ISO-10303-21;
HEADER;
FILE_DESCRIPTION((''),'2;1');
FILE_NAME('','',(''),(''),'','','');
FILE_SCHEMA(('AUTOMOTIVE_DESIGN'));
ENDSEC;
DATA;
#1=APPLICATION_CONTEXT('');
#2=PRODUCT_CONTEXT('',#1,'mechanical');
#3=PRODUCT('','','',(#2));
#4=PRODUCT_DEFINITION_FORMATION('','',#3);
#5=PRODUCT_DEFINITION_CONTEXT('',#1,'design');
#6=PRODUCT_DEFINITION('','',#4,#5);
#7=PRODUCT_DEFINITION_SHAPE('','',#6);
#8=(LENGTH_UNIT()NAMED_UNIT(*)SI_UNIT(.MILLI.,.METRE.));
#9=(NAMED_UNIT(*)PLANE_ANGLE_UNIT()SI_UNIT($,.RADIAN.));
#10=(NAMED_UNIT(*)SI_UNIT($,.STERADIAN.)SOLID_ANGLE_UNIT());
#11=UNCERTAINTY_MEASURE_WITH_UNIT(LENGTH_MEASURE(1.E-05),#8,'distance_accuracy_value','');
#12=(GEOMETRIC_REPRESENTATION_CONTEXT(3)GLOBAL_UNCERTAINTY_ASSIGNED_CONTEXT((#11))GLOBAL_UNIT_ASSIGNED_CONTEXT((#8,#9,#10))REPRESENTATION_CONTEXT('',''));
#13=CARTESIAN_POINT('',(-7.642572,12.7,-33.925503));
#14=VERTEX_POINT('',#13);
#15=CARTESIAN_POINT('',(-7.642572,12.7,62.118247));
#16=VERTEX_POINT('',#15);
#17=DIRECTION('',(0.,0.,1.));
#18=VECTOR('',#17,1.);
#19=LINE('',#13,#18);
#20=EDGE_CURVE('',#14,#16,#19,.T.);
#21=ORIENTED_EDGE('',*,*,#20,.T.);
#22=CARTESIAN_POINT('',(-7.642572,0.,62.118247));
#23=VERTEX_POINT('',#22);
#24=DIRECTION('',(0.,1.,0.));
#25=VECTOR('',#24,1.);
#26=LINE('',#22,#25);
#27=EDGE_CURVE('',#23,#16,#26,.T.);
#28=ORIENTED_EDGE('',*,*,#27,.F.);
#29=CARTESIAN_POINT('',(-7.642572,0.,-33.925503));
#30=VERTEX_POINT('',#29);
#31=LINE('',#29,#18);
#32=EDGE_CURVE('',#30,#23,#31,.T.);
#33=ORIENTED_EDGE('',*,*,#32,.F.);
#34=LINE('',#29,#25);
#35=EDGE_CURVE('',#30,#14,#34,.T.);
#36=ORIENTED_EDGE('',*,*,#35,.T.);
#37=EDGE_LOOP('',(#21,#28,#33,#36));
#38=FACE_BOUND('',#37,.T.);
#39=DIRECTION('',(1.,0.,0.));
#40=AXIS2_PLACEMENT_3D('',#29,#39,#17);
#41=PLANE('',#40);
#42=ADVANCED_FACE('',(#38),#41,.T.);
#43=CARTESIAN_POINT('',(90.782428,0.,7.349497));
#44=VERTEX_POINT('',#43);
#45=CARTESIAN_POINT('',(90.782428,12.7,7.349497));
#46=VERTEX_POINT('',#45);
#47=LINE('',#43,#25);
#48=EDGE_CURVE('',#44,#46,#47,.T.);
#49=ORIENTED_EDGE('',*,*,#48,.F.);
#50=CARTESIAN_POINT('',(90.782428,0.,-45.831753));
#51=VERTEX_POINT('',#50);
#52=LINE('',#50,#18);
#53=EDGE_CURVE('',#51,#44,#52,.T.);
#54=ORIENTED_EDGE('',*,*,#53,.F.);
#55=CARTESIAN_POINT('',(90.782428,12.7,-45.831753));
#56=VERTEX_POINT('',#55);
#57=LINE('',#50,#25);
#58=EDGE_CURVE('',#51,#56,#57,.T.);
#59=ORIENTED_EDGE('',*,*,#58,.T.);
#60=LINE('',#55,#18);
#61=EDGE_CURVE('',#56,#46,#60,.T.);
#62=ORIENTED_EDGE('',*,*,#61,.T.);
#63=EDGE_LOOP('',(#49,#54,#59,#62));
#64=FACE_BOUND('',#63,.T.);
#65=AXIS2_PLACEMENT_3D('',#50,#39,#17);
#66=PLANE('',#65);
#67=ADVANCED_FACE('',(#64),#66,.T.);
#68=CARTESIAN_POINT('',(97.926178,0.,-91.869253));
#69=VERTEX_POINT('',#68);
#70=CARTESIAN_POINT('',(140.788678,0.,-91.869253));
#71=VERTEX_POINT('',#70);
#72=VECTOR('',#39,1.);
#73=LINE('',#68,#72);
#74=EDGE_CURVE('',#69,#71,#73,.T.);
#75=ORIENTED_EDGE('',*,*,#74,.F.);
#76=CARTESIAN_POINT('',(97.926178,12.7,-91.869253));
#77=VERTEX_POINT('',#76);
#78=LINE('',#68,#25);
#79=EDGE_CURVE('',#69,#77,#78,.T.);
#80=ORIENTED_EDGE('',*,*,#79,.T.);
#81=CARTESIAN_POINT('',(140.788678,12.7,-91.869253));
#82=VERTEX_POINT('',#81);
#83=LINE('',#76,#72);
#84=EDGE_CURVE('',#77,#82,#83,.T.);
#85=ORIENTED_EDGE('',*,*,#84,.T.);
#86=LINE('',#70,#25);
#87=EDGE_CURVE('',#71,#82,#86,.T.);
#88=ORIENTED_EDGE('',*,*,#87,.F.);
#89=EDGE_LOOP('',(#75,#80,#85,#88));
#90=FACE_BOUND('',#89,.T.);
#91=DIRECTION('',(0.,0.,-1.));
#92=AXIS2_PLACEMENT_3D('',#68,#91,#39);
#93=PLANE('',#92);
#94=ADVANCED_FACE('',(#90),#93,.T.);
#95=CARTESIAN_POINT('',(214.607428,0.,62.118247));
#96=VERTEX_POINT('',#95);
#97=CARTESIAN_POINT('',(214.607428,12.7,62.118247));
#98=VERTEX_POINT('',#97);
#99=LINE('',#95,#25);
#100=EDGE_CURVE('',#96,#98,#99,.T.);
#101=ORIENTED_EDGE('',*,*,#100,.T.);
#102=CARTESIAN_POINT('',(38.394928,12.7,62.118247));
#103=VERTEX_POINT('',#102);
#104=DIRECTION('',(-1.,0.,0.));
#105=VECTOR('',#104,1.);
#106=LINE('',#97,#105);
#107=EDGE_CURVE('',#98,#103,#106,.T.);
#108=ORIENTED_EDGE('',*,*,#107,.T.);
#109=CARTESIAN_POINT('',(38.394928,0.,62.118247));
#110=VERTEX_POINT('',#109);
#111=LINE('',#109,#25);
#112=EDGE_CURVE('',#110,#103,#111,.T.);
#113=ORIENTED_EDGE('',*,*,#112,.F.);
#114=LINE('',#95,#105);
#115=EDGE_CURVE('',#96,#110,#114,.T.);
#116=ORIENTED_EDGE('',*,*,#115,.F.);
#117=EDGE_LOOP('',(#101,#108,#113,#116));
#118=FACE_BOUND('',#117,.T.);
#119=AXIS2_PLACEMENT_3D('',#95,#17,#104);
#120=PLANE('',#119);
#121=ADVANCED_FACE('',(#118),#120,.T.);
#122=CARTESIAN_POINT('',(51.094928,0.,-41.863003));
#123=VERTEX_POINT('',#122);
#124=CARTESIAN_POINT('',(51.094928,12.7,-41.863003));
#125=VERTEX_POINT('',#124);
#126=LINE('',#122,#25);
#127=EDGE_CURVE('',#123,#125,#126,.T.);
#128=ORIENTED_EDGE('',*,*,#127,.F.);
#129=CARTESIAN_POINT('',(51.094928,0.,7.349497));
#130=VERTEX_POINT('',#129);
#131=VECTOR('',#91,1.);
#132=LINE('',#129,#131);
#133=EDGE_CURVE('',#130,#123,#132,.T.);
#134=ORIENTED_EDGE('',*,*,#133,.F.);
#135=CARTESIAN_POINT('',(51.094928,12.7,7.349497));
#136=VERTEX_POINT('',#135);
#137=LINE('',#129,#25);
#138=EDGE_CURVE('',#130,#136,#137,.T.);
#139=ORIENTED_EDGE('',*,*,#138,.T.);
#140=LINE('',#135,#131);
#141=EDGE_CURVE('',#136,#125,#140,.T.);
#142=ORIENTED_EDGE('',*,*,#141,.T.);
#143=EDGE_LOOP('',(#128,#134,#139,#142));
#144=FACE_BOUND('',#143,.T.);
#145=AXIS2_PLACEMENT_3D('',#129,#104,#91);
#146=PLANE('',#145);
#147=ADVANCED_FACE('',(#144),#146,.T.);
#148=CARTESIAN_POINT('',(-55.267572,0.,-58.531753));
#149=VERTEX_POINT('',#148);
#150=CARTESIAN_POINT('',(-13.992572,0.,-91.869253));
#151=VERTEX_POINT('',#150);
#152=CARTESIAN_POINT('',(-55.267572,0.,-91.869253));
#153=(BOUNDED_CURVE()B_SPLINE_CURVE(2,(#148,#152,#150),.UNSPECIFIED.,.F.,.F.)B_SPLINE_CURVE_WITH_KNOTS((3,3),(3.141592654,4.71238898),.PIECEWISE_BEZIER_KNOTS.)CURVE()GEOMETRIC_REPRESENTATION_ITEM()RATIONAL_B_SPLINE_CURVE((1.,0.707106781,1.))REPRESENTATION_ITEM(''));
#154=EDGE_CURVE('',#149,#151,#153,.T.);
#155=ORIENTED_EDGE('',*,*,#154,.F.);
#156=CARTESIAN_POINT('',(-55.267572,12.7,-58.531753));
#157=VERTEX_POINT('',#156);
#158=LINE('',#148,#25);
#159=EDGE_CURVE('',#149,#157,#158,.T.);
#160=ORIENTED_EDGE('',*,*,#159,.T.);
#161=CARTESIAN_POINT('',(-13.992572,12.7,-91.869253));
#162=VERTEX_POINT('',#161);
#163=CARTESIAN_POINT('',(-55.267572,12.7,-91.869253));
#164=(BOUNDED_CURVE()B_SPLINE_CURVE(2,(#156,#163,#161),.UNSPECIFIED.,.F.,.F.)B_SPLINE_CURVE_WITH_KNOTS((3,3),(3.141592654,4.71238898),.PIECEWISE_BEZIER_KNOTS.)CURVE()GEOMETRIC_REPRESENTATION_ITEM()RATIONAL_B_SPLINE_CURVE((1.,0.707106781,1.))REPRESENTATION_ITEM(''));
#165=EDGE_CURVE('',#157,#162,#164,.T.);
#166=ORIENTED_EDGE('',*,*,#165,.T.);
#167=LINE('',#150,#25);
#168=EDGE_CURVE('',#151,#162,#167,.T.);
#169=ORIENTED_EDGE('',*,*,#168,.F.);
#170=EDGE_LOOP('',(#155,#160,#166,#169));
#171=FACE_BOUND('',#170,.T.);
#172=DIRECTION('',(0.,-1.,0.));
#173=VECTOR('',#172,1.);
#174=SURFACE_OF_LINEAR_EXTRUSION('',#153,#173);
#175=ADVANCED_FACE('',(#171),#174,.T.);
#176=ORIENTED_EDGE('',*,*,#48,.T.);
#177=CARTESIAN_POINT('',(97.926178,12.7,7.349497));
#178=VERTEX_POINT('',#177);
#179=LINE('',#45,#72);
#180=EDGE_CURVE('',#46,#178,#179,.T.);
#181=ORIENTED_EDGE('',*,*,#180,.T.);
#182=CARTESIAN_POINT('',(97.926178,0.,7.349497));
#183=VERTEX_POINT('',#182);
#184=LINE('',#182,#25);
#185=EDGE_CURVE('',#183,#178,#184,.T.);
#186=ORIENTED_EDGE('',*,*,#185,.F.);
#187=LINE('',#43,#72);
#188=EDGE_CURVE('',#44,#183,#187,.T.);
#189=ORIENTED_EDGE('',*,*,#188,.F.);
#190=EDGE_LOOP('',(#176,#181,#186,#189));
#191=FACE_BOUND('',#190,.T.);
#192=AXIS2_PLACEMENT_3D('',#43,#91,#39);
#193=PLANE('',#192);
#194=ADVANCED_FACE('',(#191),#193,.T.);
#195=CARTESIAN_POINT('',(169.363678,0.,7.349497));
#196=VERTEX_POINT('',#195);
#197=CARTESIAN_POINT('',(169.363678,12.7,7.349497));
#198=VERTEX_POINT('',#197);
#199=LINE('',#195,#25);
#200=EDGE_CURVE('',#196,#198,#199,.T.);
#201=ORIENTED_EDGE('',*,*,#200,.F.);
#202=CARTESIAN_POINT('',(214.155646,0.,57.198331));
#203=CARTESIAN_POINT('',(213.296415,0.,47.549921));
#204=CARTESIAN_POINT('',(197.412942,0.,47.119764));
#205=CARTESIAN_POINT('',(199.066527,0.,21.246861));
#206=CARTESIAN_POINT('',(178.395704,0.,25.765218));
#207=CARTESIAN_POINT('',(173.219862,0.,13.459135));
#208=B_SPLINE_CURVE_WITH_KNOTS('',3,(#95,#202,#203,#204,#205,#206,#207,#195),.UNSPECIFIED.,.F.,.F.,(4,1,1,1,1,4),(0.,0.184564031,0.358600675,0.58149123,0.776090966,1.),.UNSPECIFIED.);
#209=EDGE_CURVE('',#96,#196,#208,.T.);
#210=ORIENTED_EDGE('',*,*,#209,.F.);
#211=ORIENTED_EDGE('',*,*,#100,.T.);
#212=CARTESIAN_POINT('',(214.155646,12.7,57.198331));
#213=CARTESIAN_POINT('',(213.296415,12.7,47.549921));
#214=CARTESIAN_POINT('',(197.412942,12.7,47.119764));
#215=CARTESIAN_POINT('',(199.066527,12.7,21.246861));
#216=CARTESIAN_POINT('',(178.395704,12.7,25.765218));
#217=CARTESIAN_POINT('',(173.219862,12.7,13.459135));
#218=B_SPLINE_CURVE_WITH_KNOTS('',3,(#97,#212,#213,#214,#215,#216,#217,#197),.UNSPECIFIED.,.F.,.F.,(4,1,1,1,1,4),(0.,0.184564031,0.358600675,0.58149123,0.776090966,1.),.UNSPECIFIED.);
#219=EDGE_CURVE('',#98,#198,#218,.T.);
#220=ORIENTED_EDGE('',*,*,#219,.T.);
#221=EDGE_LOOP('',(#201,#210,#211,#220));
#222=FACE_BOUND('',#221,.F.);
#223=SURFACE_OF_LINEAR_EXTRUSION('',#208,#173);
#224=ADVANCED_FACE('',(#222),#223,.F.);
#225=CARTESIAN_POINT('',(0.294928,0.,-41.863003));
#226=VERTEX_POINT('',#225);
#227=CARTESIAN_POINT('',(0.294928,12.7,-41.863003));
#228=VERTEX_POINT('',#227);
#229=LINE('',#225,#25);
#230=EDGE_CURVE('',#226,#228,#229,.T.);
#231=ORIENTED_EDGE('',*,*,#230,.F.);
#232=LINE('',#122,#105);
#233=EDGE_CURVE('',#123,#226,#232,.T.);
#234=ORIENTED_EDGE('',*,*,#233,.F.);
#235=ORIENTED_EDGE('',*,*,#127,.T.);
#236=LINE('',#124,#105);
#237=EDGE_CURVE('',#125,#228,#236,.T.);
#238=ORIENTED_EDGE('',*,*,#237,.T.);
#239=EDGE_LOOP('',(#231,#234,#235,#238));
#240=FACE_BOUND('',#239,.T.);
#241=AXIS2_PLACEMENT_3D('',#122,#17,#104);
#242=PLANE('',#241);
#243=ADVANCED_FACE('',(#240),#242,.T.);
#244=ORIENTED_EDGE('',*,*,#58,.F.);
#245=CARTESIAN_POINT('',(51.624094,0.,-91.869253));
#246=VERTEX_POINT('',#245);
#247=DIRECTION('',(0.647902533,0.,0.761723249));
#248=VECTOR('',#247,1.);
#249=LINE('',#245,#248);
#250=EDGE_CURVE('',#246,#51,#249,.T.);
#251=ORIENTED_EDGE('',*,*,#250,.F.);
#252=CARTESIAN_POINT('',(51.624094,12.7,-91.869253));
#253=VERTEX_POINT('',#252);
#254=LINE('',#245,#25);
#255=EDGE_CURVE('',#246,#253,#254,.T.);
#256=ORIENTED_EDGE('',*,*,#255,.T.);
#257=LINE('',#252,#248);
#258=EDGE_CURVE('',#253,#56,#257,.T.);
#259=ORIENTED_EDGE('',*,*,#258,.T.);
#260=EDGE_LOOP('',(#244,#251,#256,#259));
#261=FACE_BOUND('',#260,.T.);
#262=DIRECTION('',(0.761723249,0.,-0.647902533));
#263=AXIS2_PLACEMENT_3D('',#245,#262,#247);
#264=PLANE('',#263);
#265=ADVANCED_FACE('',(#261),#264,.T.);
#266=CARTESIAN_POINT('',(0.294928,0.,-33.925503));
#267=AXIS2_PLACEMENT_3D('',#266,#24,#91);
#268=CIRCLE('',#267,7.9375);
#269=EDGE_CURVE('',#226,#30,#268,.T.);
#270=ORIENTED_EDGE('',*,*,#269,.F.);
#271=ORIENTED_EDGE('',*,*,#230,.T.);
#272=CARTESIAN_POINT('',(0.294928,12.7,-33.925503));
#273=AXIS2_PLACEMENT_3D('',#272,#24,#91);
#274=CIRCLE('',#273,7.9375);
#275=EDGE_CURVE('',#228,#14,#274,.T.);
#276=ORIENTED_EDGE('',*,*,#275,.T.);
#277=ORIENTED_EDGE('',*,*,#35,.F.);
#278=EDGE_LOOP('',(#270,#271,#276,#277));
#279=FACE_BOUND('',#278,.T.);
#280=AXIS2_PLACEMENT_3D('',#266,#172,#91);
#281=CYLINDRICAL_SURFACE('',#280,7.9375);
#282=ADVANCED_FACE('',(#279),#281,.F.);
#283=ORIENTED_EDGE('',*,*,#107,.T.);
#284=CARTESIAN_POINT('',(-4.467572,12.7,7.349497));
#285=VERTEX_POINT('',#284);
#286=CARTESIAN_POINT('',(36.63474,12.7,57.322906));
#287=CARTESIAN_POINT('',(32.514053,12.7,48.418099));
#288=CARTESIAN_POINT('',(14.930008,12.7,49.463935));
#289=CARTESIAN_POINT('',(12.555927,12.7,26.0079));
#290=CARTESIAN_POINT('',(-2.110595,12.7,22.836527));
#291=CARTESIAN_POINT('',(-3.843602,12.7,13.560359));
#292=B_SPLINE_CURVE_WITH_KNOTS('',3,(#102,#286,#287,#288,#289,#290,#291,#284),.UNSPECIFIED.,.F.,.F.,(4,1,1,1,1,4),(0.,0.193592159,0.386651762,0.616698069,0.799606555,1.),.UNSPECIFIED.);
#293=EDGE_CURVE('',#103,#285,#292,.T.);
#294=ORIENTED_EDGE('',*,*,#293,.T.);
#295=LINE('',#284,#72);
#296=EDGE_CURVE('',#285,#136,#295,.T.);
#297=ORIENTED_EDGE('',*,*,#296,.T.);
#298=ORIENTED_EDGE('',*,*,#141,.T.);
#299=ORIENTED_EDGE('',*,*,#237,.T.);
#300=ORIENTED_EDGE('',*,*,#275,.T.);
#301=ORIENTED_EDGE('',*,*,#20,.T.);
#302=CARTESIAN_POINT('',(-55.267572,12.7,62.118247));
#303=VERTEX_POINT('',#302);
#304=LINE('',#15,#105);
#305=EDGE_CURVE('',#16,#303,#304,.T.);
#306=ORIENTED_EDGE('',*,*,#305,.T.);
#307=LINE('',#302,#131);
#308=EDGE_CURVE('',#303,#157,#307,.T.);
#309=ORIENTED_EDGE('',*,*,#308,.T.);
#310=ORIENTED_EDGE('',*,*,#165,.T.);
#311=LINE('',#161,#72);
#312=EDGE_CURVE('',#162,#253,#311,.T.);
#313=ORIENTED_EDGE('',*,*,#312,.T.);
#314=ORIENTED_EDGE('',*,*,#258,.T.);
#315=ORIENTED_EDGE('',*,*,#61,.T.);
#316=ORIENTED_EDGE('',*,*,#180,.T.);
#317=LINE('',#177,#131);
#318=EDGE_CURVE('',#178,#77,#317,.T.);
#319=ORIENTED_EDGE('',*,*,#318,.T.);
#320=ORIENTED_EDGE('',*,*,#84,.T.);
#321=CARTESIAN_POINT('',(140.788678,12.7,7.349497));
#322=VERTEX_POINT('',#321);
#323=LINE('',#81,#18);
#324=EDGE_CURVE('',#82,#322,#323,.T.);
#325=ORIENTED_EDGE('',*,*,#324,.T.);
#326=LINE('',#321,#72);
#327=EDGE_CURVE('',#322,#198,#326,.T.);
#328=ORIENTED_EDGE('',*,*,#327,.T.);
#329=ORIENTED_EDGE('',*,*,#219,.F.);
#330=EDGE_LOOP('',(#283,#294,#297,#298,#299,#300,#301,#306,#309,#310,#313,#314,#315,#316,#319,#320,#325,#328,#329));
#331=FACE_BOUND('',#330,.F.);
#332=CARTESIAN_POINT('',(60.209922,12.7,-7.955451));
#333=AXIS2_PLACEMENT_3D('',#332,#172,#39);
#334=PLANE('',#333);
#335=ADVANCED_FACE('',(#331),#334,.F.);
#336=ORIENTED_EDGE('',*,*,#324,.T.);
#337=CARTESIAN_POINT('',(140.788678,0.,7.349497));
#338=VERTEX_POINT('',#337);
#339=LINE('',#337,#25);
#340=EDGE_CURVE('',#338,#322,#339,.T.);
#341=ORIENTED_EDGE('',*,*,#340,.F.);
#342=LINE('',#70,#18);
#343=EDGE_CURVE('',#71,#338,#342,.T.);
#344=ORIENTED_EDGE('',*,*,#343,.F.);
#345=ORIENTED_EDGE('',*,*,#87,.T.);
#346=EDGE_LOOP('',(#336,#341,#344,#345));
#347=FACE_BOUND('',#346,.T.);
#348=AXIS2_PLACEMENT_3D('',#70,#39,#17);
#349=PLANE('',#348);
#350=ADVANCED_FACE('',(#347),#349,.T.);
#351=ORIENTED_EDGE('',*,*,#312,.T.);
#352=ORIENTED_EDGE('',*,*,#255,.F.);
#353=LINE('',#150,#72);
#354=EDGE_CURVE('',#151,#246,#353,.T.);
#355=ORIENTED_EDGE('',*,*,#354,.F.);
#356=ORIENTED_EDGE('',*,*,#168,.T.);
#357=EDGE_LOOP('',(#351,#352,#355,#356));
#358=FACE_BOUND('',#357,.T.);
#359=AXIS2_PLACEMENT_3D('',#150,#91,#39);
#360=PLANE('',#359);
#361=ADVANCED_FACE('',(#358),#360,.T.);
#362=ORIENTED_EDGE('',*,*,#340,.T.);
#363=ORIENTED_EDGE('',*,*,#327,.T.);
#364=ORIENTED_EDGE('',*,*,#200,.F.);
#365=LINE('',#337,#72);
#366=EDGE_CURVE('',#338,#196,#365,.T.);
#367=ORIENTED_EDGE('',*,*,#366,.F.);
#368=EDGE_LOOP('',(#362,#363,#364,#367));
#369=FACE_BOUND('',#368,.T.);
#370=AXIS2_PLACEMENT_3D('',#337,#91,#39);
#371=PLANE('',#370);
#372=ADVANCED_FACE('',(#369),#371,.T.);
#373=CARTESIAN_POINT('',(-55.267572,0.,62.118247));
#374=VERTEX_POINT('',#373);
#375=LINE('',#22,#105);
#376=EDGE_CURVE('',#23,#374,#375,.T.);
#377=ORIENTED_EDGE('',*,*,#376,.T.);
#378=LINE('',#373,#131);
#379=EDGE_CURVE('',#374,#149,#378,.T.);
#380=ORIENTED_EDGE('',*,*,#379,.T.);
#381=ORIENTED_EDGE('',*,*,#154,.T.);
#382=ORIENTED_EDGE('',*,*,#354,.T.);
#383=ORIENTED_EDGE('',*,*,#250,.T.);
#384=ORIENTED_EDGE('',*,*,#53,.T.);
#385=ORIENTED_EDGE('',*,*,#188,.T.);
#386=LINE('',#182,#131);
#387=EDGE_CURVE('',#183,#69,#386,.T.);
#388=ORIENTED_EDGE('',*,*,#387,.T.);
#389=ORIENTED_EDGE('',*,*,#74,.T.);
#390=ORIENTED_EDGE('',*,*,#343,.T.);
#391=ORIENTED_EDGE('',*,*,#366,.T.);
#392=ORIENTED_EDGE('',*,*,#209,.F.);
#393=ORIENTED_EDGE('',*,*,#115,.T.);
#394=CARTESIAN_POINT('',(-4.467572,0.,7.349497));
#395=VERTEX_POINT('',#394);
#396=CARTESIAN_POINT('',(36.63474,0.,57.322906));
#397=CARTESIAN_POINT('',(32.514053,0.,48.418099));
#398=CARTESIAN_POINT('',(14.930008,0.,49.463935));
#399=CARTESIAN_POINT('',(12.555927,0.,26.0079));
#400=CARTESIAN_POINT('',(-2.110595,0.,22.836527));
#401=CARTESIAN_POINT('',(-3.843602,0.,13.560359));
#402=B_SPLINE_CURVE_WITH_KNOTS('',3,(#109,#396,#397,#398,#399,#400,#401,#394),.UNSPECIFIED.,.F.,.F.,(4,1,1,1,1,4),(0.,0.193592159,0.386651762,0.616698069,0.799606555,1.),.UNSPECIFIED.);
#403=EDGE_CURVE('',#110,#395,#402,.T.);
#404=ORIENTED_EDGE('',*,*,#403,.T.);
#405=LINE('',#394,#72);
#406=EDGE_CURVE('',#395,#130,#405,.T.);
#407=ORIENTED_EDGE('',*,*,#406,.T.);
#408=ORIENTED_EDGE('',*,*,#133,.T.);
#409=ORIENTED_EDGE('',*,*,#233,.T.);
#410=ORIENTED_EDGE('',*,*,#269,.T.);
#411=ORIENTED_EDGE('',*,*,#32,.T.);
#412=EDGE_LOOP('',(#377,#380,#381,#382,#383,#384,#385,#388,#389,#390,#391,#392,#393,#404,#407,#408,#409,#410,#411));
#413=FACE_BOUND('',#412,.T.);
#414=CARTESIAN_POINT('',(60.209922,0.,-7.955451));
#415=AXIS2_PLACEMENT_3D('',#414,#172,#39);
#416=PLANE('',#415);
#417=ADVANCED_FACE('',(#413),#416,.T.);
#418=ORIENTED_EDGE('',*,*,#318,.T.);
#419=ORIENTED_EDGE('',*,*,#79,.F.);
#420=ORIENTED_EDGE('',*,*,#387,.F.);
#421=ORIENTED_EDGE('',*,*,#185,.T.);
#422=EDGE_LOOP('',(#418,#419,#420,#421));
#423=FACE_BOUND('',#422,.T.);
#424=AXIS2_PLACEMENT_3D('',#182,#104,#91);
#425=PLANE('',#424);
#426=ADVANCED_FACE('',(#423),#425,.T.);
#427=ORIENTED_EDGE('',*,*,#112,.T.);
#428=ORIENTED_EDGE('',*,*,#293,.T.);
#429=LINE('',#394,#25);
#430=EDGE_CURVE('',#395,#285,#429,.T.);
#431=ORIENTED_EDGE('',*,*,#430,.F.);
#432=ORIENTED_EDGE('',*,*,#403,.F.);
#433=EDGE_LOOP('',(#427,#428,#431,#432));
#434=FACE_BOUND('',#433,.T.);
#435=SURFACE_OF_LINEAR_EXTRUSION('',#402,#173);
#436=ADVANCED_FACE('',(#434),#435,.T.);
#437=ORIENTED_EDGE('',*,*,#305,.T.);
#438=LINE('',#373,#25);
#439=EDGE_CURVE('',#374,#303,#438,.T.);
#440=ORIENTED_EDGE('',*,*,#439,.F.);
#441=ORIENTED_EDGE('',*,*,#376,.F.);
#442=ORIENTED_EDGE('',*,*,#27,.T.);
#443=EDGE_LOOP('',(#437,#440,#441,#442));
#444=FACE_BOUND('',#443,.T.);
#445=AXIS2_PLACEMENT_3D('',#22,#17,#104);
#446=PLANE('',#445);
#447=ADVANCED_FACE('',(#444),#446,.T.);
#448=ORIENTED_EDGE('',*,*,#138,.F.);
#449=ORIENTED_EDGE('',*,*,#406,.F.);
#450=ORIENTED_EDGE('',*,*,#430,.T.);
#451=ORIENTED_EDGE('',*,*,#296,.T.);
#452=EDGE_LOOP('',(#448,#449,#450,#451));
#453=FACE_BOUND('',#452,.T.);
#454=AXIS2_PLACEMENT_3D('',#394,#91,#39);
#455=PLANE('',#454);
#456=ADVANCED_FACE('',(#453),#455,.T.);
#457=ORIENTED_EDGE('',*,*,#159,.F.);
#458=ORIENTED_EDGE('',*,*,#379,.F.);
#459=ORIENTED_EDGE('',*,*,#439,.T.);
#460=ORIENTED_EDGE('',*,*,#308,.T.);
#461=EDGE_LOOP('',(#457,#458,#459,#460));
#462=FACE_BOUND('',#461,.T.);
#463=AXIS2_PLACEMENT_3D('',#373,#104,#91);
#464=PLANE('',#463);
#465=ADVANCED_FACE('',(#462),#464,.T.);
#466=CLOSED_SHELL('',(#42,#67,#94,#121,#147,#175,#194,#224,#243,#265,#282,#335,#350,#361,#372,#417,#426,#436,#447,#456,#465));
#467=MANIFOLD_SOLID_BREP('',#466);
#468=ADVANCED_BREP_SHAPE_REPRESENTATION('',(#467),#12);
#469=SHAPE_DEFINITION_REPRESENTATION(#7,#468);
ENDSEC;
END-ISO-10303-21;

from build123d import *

# Parameters (mm, degrees)
F1_DEPTH = 12.7


with BuildPart() as f1:
    # F0 (on Front) → F1 (new body)
    with BuildSketch(Plane.XZ):
        with BuildLine():
            Line((-7.642572403, 62.1182467163), (-55.267572403, 62.1182467163))
            Line((-55.267572403, 62.1182467163), (-55.267572403, -58.5317532837))
            add(Edge.make_bspline(
                [(-55.267572403, -58.5317532837), (-55.267572403, -91.8692532837), (-13.992572403, -91.8692532837)],
                knots=[3.1415926536, 3.1415926536, 3.1415926536, 4.7123889804, 4.7123889804, 4.7123889804], degree=2, weights=[1, 0.7071067812, 1]))
            Line((-13.992572403, -91.8692532837), (51.6240942637, -91.8692532837))
            Line((51.6240942637, -91.8692532837), (90.782427597, -45.8317532837))
            Line((90.782427597, -45.8317532837), (90.782427597, 7.3494967163))
            Line((90.782427597, 7.3494967163), (97.926177597, 7.3494967163))
            Line((97.926177597, 7.3494967163), (97.926177597, -91.8692532837))
            Line((97.926177597, -91.8692532837), (140.788677597, -91.8692532837))
            Line((140.788677597, -91.8692532837), (140.788677597, 7.3494967163))
            Line((140.788677597, 7.3494967163), (169.363677597, 7.3494967163))
            add(Edge.make_bspline(
                [(214.607427597, 62.1182467163), (214.1556462463, 57.1983312797), (213.2964146513, 47.5499207607), (197.4129422689, 47.1197644101), (199.0665268833, 21.2468611606), (178.3957043389, 25.7652184238), (173.2198620111, 13.4591346911), (169.363677597, 7.3494967163)],
                knots=[0, 0, 0, 0, 0.1845640307, 0.3586006751, 0.58149123, 0.776090966, 1, 1, 1, 1], degree=3))
            Line((214.607427597, 62.1182467163), (38.394927597, 62.1182467163))
            add(Edge.make_bspline(
                [(38.394927597, 62.1182467163), (36.6347400539, 57.3229056618), (32.5140534673, 48.4180986137), (14.9300075818, 49.4639351358), (12.5559273354, 26.0079004568), (-2.1105946111, 22.83652718), (-3.8436017495, 13.560358506), (-4.467572403, 7.3494967163)],
                knots=[0, 0, 0, 0, 0.1935921594, 0.3866517616, 0.6166980688, 0.7996065546, 1, 1, 1, 1], degree=3))
            Line((-4.467572403, 7.3494967163), (51.094927597, 7.3494967163))
            Line((51.094927597, 7.3494967163), (51.094927597, -41.8630032837))
            Line((51.094927597, -41.8630032837), (0.294927597, -41.8630032837))
            ThreePointArc((0.294927597, -41.8630032837), (-5.3177324786, -39.5381633594), (-7.642572403, -33.9255032837))
            Line((-7.642572403, -33.9255032837), (-7.642572403, 62.1182467163))
        make_face()
    extrude(amount=-F1_DEPTH)


solid = f1.part
